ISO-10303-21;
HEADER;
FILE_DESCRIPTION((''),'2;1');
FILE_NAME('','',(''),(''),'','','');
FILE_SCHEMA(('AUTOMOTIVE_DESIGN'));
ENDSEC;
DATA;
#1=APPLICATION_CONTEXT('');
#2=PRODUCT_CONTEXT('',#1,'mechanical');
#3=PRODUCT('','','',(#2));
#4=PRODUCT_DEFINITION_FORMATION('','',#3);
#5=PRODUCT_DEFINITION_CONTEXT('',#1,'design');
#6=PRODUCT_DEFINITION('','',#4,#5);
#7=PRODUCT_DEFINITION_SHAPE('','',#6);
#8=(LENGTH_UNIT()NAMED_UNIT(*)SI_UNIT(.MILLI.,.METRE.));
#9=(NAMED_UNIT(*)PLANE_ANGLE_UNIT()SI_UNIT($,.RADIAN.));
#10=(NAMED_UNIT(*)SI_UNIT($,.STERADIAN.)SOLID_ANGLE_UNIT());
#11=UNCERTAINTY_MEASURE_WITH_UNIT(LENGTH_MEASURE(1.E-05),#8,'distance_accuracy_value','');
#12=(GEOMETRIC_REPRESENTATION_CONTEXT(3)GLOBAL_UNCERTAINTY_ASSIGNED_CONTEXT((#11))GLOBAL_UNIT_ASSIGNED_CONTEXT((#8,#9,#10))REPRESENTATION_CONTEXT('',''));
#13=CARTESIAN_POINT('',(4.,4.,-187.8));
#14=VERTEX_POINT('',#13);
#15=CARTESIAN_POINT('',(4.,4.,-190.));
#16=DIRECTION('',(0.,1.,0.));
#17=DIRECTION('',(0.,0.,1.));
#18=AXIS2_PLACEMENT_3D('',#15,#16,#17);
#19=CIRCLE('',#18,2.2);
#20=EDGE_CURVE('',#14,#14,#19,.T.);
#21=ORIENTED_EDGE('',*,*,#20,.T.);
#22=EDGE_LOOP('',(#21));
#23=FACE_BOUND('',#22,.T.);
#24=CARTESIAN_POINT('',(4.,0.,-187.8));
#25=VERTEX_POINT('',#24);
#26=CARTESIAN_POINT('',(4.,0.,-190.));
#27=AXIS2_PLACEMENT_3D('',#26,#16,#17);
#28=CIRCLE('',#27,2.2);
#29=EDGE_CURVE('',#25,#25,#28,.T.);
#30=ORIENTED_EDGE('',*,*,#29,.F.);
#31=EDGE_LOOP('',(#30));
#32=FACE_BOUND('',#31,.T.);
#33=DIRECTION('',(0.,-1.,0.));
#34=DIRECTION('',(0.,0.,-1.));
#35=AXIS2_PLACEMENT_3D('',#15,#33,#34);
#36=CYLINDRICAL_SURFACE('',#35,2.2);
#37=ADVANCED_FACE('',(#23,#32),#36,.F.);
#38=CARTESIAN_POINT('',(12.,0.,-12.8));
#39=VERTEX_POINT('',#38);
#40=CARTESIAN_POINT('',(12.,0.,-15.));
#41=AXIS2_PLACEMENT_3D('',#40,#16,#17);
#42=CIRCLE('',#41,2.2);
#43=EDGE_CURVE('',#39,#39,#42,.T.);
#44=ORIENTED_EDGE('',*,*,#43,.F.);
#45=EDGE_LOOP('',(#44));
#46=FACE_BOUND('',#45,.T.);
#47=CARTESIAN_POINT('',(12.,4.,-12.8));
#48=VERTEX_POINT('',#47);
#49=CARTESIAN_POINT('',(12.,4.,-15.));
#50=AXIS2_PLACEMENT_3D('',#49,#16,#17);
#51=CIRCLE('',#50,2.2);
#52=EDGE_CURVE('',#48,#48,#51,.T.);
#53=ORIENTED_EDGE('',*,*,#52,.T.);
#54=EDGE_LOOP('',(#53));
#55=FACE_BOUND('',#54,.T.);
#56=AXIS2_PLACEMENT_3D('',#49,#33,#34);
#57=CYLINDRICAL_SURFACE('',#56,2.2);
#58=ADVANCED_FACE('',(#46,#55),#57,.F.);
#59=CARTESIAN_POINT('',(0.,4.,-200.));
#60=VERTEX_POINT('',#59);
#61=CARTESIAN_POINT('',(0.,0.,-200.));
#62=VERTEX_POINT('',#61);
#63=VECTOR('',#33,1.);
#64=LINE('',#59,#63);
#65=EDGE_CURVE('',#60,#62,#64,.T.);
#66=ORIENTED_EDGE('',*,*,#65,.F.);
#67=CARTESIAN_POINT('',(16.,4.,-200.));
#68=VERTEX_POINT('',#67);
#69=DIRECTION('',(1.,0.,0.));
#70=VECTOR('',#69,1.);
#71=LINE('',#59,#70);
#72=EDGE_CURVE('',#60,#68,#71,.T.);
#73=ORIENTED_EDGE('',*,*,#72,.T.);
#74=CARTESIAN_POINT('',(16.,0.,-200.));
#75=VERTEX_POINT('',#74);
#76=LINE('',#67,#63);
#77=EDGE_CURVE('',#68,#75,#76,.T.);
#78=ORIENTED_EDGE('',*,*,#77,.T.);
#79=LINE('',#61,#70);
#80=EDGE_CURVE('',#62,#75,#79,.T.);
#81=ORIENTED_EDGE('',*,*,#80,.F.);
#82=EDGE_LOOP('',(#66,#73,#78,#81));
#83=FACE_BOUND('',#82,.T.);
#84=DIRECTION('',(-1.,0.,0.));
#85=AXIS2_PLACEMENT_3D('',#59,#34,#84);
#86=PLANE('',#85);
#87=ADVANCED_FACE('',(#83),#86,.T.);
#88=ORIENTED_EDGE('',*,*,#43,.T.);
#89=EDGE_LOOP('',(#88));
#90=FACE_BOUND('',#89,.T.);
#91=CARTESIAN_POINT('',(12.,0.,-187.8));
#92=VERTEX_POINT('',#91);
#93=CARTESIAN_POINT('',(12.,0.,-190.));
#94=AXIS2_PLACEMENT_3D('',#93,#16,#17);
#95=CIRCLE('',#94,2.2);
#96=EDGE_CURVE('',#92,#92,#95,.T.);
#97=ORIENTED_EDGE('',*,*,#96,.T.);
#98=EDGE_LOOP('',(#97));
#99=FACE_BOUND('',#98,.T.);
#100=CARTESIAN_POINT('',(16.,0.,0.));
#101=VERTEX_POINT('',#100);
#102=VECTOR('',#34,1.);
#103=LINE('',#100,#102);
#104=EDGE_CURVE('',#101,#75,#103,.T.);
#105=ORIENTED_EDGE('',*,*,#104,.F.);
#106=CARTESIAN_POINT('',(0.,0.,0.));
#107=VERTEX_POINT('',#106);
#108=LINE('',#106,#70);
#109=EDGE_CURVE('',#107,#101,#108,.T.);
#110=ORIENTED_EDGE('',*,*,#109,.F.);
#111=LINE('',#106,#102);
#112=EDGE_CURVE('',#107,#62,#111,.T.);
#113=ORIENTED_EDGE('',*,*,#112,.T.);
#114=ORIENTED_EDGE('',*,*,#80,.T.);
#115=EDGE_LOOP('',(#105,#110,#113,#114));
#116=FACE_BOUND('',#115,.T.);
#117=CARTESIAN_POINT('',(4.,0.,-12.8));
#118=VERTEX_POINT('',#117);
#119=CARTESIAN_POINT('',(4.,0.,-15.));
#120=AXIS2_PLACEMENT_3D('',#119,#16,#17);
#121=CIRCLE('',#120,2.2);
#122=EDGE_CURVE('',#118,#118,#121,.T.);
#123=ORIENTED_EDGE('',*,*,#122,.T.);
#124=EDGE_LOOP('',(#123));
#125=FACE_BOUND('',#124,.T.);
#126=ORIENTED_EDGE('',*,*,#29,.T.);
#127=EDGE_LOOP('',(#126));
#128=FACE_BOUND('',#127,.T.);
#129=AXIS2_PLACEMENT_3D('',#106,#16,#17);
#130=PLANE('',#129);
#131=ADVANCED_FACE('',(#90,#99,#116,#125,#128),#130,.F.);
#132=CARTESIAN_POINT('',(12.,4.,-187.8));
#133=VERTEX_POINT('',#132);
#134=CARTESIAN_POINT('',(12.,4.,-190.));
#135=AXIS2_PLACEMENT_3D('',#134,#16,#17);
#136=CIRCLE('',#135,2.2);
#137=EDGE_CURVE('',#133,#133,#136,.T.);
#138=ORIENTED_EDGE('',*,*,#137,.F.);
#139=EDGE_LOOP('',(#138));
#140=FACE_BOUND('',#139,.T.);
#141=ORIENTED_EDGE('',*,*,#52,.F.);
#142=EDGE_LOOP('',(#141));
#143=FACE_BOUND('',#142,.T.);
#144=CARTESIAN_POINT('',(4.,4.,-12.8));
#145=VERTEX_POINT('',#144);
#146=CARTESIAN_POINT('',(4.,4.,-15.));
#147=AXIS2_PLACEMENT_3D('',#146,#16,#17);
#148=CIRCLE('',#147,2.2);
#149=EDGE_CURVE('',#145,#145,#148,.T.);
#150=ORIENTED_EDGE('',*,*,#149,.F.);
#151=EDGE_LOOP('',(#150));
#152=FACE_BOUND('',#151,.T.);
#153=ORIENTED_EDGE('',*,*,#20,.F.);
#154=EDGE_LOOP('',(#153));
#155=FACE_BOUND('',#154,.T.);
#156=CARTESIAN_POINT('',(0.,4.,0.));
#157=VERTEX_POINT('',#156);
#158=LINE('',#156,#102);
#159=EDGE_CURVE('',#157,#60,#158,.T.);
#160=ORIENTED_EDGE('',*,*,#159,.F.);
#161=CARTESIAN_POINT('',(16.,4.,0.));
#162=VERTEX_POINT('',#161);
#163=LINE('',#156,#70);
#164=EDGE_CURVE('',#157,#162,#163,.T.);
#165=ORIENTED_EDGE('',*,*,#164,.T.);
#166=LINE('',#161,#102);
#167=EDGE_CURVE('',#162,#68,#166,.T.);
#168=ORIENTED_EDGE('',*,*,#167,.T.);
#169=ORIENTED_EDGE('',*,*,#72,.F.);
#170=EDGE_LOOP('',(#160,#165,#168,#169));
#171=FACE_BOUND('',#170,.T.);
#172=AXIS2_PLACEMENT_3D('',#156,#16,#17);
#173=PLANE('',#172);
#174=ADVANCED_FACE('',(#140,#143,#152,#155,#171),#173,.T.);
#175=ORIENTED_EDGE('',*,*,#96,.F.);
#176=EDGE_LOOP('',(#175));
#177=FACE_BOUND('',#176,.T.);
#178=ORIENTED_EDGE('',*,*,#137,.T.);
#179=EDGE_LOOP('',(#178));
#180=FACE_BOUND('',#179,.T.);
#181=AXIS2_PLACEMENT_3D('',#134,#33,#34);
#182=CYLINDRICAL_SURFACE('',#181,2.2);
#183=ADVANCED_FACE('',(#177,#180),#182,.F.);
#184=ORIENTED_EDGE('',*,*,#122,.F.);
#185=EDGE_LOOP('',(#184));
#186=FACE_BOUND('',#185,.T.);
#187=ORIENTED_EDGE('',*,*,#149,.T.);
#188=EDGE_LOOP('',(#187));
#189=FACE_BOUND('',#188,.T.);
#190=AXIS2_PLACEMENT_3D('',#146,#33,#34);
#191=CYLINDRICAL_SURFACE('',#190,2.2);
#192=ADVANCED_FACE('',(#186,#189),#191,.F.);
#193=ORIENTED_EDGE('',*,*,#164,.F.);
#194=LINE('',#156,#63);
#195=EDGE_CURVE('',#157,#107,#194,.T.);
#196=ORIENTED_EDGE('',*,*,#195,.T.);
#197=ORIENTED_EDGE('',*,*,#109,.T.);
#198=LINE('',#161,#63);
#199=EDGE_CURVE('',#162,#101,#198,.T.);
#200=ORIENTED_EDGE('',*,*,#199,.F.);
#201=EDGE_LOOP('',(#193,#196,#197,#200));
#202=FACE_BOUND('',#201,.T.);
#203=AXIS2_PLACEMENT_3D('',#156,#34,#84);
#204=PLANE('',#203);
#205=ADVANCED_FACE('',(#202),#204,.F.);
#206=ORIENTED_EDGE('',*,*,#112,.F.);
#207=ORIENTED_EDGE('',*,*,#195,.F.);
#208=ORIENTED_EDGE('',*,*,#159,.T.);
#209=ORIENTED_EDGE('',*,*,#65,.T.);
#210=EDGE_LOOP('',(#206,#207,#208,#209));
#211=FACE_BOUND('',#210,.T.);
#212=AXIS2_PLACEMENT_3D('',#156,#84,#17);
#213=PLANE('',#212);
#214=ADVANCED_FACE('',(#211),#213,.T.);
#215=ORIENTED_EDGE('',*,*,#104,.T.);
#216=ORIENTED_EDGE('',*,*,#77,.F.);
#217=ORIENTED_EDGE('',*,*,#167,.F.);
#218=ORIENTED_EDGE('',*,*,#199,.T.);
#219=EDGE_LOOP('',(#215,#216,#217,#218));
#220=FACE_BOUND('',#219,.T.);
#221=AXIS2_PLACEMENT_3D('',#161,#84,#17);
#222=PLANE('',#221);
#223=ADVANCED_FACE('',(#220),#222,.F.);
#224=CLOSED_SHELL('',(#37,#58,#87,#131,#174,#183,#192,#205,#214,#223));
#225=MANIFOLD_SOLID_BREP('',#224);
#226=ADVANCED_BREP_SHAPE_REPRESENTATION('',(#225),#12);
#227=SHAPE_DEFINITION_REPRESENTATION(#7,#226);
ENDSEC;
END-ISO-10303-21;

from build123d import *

# Parameters (mm, degrees)
SKETCH_1_W      = 16
SKETCH_1_H      = 200
SKETCH_1_R      = 2.2
EXTRUDE_1_DEPTH = 4


with BuildPart() as part:
    # 草图1 → 凸台-拉伸1 (new body)
    with BuildSketch(Plane(origin=(0, 0, 0), x_dir=(1, 0, 0), z_dir=(0, 1, 0))):
        with Locations((8, 100)):
            Rectangle(SKETCH_1_W, SKETCH_1_H)
        with Locations(Location((12, 190, 0), (0, 0, 270))):
            Circle(SKETCH_1_R, mode=Mode.SUBTRACT)
        with Locations(Location((4, 190, 0), (0, 0, 270))):
            Circle(SKETCH_1_R, mode=Mode.SUBTRACT)
        with Locations(Location((4, 15, 0), (0, 0, 270))):
            Circle(SKETCH_1_R, mode=Mode.SUBTRACT)
        with Locations(Location((12, 15, 0), (0, 0, 270))):
            Circle(SKETCH_1_R, mode=Mode.SUBTRACT)
    extrude(amount=EXTRUDE_1_DEPTH)


solid = part.part
